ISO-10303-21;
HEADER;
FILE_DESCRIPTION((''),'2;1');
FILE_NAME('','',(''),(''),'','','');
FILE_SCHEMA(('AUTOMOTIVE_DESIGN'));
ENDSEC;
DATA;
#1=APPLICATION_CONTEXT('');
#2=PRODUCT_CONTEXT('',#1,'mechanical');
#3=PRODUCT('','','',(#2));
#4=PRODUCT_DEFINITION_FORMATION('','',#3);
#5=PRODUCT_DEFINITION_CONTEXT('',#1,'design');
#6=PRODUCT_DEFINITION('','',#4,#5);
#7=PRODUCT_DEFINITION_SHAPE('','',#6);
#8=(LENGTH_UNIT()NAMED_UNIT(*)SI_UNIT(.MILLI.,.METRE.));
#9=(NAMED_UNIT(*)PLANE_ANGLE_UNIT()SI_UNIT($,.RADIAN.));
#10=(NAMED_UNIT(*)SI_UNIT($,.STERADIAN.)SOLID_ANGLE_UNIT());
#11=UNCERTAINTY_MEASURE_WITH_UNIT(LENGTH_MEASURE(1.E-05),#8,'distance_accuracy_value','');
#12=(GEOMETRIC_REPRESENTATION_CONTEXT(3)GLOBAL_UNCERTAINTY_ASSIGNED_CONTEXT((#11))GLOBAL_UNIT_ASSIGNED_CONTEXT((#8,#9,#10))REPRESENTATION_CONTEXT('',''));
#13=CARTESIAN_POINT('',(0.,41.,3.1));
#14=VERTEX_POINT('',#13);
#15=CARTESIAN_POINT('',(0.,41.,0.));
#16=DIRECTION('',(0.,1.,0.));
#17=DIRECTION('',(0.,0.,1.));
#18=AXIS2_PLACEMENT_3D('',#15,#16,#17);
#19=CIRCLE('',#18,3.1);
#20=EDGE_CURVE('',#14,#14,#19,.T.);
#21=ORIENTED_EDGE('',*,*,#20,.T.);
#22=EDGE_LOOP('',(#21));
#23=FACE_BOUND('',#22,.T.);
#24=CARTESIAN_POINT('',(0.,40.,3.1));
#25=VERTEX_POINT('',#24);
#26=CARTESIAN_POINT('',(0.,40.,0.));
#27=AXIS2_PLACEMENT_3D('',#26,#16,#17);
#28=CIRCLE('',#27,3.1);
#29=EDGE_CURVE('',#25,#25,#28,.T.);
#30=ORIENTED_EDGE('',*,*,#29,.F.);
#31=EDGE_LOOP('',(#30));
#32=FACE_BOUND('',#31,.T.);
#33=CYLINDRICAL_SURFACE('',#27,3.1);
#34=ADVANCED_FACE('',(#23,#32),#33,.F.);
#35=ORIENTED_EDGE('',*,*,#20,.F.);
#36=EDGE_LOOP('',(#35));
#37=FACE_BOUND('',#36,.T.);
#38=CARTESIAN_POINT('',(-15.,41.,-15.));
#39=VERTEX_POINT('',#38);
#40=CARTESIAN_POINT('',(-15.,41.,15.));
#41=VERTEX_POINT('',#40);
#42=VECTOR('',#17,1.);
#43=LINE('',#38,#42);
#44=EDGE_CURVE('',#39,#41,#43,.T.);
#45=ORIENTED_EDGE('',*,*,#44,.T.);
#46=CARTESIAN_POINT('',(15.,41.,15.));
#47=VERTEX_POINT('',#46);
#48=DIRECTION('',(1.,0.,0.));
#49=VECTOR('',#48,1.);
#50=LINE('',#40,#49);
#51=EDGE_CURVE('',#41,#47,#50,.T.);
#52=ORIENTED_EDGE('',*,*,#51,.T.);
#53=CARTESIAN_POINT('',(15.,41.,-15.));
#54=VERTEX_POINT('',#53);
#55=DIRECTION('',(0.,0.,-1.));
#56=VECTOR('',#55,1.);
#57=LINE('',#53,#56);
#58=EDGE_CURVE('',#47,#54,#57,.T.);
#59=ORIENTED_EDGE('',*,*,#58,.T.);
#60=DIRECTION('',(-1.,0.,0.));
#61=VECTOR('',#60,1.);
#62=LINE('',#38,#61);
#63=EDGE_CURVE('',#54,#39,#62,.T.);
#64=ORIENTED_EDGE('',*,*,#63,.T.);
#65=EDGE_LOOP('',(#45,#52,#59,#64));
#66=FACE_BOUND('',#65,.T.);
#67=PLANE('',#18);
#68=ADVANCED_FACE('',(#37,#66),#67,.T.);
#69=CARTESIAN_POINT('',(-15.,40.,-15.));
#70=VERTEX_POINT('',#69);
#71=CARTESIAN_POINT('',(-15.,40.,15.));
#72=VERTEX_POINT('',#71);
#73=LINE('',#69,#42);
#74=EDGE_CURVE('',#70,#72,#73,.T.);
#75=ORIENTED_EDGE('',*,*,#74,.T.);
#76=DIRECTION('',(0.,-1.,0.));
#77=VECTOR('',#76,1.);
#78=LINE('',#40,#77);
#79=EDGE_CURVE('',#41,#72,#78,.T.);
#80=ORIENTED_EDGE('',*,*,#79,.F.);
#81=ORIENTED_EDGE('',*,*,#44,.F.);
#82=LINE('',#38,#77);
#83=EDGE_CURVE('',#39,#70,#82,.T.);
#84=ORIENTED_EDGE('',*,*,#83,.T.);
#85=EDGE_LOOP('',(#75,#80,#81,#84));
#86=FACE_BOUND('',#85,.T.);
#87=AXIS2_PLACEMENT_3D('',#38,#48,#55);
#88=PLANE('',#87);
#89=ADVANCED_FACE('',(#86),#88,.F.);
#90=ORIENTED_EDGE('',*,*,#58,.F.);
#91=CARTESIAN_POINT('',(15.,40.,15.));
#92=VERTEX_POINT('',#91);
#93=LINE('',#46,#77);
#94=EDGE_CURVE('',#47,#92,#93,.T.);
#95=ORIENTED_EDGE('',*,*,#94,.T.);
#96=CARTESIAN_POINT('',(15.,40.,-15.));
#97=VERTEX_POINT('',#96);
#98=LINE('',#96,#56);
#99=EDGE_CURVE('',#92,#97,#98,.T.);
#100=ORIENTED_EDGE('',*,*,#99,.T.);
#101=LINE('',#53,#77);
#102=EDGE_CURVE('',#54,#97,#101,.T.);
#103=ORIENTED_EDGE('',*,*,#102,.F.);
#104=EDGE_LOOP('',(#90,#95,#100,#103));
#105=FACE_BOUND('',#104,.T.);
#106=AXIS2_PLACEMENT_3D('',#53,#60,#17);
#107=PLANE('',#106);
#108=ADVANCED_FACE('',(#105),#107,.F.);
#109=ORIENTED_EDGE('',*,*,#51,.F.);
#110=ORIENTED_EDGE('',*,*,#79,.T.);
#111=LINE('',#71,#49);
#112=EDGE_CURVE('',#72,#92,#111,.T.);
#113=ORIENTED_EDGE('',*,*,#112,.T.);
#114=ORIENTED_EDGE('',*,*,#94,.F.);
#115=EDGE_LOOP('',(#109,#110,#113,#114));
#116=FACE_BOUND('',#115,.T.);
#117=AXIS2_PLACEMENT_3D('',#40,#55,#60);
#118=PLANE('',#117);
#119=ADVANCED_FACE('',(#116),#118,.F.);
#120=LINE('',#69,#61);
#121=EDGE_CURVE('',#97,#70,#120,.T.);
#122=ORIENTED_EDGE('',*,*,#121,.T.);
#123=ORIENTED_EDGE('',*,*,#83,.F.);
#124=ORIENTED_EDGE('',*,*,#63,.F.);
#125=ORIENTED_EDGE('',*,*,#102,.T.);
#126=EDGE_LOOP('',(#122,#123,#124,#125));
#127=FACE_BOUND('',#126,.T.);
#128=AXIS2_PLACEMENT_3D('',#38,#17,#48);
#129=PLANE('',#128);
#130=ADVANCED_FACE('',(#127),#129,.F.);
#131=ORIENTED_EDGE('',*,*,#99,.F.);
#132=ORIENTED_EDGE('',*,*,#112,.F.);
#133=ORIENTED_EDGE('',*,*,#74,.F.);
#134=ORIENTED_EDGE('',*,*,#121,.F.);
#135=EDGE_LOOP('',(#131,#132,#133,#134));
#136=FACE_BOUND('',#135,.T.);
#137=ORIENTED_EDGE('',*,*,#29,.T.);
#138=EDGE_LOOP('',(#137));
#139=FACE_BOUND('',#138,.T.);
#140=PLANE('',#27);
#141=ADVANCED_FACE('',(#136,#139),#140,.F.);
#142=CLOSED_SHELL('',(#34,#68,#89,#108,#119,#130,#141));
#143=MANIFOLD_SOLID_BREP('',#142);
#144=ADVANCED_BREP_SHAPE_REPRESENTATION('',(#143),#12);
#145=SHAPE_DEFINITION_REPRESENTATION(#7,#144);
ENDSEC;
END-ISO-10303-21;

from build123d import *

# Parameters (mm, degrees)
SKETCH2_W                = 30
SKETCH2_H                = 30
BOSS_EXTRUDE1_DEPTH      = 10
SKETCH3_W                = 30
SKETCH3_H                = 30
SKETCH3_W_2              = 25
SKETCH3_H_2              = 25
BOSS_EXTRUDE2_DEPTH      = 15
SKETCH4_W                = 30
SKETCH4_H                = 30
BOSS_EXTRUDE3_DEPTH      = 15
CUT_EXTRUDE1_START       = -40
SKETCH5_R                = 3.05
CUT_EXTRUDE1_DEPTH       = 40
BOSS_EXTRUDE4_DEPTH      = 10
BOSS_EXTRUDE4_DEPTH_BACK = 40
SKETCH6_W                = 7.5
SKETCH6_H                = 1.017843133
SKETCH6_H_2              = 1.2761833
SKETCH7_R                = 2.76
CUT_EXTRUDE2_DEPTH       = 10
SKETCH8_W                = 30
SKETCH8_H                = 30
BOSS_EXTRUDE5_DEPTH      = 1
SKETCH9_R                = 3.1
CUT_EXTRUDE3_DEPTH       = 1


with BuildPart() as part:
    # Sketch2 → Boss-Extrude1 (new body)
    with BuildSketch(Plane(origin=(0, 0, 0), x_dir=(1, 0, 0), z_dir=(0, 1, 0))):
        Rectangle(SKETCH2_W, SKETCH2_H)
    extrude(amount=BOSS_EXTRUDE1_DEPTH)


with BuildPart() as body_2:
    # Sketch3 → Boss-Extrude2 (new body)
    with BuildSketch(Plane(origin=(0, 10, 0), x_dir=(1, 0, 0), z_dir=(0, 1, 0))):
        Rectangle(SKETCH3_W, SKETCH3_H)
        Rectangle(SKETCH3_W_2, SKETCH3_H_2, mode=Mode.SUBTRACT)
    extrude(amount=BOSS_EXTRUDE2_DEPTH)


with BuildPart() as body_3:
    # Sketch4 → Boss-Extrude3 (new body)
    with BuildSketch(Plane(origin=(0, 25, 0), x_dir=(1, 0, 0), z_dir=(0, 1, 0))):
        Rectangle(SKETCH4_W, SKETCH4_H)
    extrude(amount=BOSS_EXTRUDE3_DEPTH)


with BuildPart() as cut_extrude1_tool:
    # Sketch5 → Cut-Extrude1 (new body)
    with BuildSketch(Plane(origin=(0, 40, 0), x_dir=(1, 0, 0), z_dir=(0, 1, 0)).offset(CUT_EXTRUDE1_START)):
        with Locations(Location((0, 0, 0), (0, 0, 270))):
            Circle(SKETCH5_R)
    extrude(amount=CUT_EXTRUDE1_DEPTH)


with BuildPart() as part_1:
    add(part.part)

    # Cut-Extrude1: cut by cut_extrude1_tool
    add(cut_extrude1_tool.part, mode=Mode.SUBTRACT)


with BuildPart() as body_3_1:
    add(body_3.part)

    # Cut-Extrude1: cut by cut_extrude1_tool
    add(cut_extrude1_tool.part, mode=Mode.SUBTRACT)

    # Sketch6 → Boss-Extrude4 (add, two sides: drawn at the far end of the back side and taken through both)
    with BuildSketch(Plane(origin=(0, 0, -15), x_dir=(-1, 0, 0), z_dir=(0, 0, -1)).offset(-BOSS_EXTRUDE4_DEPTH_BACK)):
        with Locations((-11.25, 25.508921566)):
            Rectangle(SKETCH6_W, SKETCH6_H)
        with Locations((11.25, 25.63809165)):
            Rectangle(SKETCH6_W, SKETCH6_H_2)
    extrude(amount=BOSS_EXTRUDE4_DEPTH + BOSS_EXTRUDE4_DEPTH_BACK)

    # Sketch7 → Cut-Extrude2 (cut)
    with BuildSketch(Plane(origin=(0, 26.2761833, 0), x_dir=(1, 0, 0), z_dir=(0, 1, 0))):
        with Locations(Location((-11.25, 20, 0), (0, 0, 270))):
            Circle(SKETCH7_R)
        with Locations(Location((11.25, 20, 0), (0, 0, 270))):
            Circle(SKETCH7_R)
        with Locations(Location((11.25, -20.5, 0), (0, 0, 270))):
            Circle(SKETCH7_R)
        with Locations(Location((-11.25, -20.5, 0), (0, 0, 270))):
            Circle(SKETCH7_R)
    extrude(amount=-CUT_EXTRUDE2_DEPTH, mode=Mode.SUBTRACT)


with BuildPart() as body_2_2:
    # Sketch8 → Boss-Extrude5 (new body)
    with BuildSketch(Plane(origin=(0, 40, 0), x_dir=(1, 0, 0), z_dir=(0, 1, 0))):
        Rectangle(SKETCH8_W, SKETCH8_H)
    extrude(amount=BOSS_EXTRUDE5_DEPTH)

    # Sketch9 → Cut-Extrude3 (cut)
    with BuildSketch(Plane(origin=(0, 41, 0), x_dir=(1, 0, 0), z_dir=(0, 1, 0))):
        with Locations(Location((0, 0, 0), (0, 0, 270))):
            Circle(SKETCH9_R)
    extrude(amount=-CUT_EXTRUDE3_DEPTH, mode=Mode.SUBTRACT)


solid = body_2_2.part
